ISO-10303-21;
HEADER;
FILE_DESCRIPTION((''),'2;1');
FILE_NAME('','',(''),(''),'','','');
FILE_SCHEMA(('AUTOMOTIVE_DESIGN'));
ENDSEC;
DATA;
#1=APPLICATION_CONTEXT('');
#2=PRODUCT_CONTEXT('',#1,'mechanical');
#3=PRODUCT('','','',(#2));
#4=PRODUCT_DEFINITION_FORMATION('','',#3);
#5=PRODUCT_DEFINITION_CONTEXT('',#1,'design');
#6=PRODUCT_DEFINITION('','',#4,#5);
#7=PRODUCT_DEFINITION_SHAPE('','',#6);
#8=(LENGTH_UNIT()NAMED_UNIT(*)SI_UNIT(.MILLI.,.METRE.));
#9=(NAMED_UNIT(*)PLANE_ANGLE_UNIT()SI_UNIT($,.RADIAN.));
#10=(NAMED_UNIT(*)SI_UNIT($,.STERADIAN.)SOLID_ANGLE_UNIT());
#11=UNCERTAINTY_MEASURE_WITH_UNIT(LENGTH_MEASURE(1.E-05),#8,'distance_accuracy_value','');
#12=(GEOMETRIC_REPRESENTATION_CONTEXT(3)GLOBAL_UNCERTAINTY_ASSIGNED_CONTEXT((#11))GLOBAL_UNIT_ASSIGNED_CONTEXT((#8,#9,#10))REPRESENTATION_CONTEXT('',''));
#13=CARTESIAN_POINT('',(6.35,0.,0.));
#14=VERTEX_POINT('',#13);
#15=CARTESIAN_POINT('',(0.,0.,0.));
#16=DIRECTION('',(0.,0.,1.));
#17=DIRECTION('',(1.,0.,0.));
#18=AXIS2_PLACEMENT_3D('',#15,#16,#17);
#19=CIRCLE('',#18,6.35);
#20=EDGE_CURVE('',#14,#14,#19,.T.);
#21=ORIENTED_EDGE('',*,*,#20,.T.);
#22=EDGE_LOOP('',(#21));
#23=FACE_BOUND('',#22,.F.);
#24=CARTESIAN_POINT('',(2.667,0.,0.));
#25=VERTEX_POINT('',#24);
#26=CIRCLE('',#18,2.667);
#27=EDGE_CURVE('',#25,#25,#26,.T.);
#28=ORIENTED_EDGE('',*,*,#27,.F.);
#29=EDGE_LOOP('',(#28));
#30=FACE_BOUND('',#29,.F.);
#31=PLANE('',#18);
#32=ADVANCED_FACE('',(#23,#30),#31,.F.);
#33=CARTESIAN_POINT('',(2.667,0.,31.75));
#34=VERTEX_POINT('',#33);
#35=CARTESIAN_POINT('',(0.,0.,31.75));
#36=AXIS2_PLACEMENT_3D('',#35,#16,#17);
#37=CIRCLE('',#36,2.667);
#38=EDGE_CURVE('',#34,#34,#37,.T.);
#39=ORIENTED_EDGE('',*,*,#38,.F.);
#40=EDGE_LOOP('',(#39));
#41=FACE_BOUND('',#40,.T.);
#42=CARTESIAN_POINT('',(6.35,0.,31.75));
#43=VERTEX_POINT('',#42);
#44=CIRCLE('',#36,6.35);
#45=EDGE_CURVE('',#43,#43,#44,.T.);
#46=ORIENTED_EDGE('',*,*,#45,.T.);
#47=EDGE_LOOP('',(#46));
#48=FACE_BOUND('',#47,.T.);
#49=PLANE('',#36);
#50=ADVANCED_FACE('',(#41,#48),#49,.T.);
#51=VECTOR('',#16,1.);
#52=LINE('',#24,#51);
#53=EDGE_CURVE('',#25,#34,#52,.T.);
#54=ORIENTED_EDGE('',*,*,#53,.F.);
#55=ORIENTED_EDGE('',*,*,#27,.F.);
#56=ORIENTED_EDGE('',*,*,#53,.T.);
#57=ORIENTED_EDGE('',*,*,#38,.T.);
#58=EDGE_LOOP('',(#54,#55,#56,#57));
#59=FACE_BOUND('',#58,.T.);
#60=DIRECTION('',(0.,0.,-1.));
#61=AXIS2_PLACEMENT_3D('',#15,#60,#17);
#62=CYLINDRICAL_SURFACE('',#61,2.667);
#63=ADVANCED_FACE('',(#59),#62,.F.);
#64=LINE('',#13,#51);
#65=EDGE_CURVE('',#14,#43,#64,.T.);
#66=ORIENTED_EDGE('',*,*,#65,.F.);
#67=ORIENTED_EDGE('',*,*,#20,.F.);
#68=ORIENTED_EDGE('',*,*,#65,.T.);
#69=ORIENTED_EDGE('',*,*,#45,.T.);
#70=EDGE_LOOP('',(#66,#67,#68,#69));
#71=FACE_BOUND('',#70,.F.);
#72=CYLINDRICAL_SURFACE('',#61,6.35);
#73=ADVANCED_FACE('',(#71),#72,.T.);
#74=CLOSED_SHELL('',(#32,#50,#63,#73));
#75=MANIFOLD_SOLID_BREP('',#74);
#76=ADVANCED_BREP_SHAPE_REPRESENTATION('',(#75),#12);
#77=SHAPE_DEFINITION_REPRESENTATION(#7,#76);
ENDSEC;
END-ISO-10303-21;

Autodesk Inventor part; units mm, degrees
ref_plane "YZ Plane" through (0, 0, 0) normal (1, 0, 0) x (0, 1, 0)
ref_plane "XZ Plane" through (0, 0, 0) normal (0, 1, 0) x (-1, 0, 0)
ref_plane "XY Plane" through (0, 0, 0) normal (0, 0, 1) x (1, 0, 0)
sketch "Sketch1" plane through (0, 0, 0) normal (0, 0, 1) x (1, 0, 0)
  circle A0 centre (0, 0) radius 2.667
  circle A1 centre (0, 0) radius 6.35
  dimension "d0" = 5.334
  dimension "d1" = 12.7
extrude "Extrusion1" add sketch "Sketch1" along normal blind 31.75
properties part number "PlateSpacer" material "ABS Plastic"
